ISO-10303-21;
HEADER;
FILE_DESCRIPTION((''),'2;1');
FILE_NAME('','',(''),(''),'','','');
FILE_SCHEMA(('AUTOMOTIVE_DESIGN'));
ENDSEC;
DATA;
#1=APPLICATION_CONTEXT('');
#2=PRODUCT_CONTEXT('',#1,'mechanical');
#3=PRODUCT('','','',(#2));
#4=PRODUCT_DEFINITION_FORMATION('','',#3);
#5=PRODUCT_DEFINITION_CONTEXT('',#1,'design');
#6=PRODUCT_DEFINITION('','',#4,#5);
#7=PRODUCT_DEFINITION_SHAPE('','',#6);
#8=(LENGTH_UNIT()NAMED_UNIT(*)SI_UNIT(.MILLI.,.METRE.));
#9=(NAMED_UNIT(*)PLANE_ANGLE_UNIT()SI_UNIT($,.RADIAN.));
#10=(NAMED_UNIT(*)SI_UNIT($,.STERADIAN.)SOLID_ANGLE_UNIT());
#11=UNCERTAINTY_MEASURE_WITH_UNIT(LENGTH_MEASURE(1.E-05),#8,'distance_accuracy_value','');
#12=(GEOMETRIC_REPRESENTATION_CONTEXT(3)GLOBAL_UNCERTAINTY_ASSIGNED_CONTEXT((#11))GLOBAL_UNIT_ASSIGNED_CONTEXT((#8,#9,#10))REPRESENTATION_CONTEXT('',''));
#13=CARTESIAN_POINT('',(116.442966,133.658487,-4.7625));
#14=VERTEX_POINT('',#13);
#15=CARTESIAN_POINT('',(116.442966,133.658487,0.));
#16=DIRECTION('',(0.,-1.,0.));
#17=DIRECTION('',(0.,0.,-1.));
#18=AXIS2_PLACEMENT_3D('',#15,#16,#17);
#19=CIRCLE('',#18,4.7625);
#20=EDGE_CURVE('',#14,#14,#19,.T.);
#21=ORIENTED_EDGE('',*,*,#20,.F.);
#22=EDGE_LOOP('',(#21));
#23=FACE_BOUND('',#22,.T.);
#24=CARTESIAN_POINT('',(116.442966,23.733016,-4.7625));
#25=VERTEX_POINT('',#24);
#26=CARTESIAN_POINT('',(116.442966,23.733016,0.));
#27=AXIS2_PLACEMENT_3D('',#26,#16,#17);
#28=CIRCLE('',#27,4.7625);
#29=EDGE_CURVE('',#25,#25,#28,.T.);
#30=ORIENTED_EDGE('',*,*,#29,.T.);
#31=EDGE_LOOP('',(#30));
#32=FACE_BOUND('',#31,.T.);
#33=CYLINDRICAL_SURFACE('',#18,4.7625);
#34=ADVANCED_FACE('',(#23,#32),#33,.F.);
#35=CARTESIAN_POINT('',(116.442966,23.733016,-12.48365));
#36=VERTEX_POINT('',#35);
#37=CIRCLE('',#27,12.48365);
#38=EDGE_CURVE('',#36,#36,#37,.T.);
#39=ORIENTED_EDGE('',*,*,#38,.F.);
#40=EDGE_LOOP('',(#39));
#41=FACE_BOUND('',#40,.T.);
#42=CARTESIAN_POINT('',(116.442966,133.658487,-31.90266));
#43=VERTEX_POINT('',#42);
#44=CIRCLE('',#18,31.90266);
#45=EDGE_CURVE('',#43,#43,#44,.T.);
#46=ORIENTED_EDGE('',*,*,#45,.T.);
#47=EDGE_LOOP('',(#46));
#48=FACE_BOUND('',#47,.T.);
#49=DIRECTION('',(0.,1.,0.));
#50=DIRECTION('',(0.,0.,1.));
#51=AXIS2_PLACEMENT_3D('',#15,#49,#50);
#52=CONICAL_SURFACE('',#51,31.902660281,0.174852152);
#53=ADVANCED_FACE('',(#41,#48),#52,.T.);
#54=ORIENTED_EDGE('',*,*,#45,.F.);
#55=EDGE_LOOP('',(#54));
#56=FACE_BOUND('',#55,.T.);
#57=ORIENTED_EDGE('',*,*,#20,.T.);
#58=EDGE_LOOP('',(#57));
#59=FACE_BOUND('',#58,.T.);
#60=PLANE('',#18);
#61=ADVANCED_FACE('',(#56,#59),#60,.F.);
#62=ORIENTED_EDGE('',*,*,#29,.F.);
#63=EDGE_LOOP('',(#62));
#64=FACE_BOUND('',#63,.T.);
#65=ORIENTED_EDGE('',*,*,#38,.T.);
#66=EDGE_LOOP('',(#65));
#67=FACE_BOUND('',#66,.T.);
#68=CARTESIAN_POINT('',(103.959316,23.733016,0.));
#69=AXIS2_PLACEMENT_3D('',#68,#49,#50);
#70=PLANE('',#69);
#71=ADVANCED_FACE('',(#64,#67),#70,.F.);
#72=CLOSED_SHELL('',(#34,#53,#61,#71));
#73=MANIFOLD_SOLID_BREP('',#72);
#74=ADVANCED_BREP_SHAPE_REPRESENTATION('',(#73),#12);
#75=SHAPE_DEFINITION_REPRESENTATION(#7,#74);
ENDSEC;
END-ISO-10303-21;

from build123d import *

# Parameters (mm, degrees)
SKETCH2_R          = 4.7625
CUT_EXTRUDE1_DEPTH = 188.370791745


with BuildPart() as part:
    # Sketch1 → Revolve1 (revolve)
    with BuildSketch(Plane.XY, mode=Mode.PRIVATE) as revolve1_sk:
        Polygon((116.442965696, 23.733016491), (116.442965696, 133.658487241), (84.540305415, 133.658487241), (103.959316021, 23.733016491), align=None)
    revolve(revolve1_sk.sketch.rotate(Axis((116.442965696, 23.733016491, 0), (0, 1, 0)), 270), axis=Axis((116.442965696, 23.733016491, 0), (0, 1, 0)))

    # Sketch2 → Cut-Extrude1 (cut, through all)
    with BuildSketch(Plane.XZ.offset(-23.733016491)):
        with Locations(Location((116.442965696, 0, 0), (0, 0, 270))):
            Circle(SKETCH2_R)
    extrude(amount=-CUT_EXTRUDE1_DEPTH, mode=Mode.SUBTRACT)


solid = part.part
